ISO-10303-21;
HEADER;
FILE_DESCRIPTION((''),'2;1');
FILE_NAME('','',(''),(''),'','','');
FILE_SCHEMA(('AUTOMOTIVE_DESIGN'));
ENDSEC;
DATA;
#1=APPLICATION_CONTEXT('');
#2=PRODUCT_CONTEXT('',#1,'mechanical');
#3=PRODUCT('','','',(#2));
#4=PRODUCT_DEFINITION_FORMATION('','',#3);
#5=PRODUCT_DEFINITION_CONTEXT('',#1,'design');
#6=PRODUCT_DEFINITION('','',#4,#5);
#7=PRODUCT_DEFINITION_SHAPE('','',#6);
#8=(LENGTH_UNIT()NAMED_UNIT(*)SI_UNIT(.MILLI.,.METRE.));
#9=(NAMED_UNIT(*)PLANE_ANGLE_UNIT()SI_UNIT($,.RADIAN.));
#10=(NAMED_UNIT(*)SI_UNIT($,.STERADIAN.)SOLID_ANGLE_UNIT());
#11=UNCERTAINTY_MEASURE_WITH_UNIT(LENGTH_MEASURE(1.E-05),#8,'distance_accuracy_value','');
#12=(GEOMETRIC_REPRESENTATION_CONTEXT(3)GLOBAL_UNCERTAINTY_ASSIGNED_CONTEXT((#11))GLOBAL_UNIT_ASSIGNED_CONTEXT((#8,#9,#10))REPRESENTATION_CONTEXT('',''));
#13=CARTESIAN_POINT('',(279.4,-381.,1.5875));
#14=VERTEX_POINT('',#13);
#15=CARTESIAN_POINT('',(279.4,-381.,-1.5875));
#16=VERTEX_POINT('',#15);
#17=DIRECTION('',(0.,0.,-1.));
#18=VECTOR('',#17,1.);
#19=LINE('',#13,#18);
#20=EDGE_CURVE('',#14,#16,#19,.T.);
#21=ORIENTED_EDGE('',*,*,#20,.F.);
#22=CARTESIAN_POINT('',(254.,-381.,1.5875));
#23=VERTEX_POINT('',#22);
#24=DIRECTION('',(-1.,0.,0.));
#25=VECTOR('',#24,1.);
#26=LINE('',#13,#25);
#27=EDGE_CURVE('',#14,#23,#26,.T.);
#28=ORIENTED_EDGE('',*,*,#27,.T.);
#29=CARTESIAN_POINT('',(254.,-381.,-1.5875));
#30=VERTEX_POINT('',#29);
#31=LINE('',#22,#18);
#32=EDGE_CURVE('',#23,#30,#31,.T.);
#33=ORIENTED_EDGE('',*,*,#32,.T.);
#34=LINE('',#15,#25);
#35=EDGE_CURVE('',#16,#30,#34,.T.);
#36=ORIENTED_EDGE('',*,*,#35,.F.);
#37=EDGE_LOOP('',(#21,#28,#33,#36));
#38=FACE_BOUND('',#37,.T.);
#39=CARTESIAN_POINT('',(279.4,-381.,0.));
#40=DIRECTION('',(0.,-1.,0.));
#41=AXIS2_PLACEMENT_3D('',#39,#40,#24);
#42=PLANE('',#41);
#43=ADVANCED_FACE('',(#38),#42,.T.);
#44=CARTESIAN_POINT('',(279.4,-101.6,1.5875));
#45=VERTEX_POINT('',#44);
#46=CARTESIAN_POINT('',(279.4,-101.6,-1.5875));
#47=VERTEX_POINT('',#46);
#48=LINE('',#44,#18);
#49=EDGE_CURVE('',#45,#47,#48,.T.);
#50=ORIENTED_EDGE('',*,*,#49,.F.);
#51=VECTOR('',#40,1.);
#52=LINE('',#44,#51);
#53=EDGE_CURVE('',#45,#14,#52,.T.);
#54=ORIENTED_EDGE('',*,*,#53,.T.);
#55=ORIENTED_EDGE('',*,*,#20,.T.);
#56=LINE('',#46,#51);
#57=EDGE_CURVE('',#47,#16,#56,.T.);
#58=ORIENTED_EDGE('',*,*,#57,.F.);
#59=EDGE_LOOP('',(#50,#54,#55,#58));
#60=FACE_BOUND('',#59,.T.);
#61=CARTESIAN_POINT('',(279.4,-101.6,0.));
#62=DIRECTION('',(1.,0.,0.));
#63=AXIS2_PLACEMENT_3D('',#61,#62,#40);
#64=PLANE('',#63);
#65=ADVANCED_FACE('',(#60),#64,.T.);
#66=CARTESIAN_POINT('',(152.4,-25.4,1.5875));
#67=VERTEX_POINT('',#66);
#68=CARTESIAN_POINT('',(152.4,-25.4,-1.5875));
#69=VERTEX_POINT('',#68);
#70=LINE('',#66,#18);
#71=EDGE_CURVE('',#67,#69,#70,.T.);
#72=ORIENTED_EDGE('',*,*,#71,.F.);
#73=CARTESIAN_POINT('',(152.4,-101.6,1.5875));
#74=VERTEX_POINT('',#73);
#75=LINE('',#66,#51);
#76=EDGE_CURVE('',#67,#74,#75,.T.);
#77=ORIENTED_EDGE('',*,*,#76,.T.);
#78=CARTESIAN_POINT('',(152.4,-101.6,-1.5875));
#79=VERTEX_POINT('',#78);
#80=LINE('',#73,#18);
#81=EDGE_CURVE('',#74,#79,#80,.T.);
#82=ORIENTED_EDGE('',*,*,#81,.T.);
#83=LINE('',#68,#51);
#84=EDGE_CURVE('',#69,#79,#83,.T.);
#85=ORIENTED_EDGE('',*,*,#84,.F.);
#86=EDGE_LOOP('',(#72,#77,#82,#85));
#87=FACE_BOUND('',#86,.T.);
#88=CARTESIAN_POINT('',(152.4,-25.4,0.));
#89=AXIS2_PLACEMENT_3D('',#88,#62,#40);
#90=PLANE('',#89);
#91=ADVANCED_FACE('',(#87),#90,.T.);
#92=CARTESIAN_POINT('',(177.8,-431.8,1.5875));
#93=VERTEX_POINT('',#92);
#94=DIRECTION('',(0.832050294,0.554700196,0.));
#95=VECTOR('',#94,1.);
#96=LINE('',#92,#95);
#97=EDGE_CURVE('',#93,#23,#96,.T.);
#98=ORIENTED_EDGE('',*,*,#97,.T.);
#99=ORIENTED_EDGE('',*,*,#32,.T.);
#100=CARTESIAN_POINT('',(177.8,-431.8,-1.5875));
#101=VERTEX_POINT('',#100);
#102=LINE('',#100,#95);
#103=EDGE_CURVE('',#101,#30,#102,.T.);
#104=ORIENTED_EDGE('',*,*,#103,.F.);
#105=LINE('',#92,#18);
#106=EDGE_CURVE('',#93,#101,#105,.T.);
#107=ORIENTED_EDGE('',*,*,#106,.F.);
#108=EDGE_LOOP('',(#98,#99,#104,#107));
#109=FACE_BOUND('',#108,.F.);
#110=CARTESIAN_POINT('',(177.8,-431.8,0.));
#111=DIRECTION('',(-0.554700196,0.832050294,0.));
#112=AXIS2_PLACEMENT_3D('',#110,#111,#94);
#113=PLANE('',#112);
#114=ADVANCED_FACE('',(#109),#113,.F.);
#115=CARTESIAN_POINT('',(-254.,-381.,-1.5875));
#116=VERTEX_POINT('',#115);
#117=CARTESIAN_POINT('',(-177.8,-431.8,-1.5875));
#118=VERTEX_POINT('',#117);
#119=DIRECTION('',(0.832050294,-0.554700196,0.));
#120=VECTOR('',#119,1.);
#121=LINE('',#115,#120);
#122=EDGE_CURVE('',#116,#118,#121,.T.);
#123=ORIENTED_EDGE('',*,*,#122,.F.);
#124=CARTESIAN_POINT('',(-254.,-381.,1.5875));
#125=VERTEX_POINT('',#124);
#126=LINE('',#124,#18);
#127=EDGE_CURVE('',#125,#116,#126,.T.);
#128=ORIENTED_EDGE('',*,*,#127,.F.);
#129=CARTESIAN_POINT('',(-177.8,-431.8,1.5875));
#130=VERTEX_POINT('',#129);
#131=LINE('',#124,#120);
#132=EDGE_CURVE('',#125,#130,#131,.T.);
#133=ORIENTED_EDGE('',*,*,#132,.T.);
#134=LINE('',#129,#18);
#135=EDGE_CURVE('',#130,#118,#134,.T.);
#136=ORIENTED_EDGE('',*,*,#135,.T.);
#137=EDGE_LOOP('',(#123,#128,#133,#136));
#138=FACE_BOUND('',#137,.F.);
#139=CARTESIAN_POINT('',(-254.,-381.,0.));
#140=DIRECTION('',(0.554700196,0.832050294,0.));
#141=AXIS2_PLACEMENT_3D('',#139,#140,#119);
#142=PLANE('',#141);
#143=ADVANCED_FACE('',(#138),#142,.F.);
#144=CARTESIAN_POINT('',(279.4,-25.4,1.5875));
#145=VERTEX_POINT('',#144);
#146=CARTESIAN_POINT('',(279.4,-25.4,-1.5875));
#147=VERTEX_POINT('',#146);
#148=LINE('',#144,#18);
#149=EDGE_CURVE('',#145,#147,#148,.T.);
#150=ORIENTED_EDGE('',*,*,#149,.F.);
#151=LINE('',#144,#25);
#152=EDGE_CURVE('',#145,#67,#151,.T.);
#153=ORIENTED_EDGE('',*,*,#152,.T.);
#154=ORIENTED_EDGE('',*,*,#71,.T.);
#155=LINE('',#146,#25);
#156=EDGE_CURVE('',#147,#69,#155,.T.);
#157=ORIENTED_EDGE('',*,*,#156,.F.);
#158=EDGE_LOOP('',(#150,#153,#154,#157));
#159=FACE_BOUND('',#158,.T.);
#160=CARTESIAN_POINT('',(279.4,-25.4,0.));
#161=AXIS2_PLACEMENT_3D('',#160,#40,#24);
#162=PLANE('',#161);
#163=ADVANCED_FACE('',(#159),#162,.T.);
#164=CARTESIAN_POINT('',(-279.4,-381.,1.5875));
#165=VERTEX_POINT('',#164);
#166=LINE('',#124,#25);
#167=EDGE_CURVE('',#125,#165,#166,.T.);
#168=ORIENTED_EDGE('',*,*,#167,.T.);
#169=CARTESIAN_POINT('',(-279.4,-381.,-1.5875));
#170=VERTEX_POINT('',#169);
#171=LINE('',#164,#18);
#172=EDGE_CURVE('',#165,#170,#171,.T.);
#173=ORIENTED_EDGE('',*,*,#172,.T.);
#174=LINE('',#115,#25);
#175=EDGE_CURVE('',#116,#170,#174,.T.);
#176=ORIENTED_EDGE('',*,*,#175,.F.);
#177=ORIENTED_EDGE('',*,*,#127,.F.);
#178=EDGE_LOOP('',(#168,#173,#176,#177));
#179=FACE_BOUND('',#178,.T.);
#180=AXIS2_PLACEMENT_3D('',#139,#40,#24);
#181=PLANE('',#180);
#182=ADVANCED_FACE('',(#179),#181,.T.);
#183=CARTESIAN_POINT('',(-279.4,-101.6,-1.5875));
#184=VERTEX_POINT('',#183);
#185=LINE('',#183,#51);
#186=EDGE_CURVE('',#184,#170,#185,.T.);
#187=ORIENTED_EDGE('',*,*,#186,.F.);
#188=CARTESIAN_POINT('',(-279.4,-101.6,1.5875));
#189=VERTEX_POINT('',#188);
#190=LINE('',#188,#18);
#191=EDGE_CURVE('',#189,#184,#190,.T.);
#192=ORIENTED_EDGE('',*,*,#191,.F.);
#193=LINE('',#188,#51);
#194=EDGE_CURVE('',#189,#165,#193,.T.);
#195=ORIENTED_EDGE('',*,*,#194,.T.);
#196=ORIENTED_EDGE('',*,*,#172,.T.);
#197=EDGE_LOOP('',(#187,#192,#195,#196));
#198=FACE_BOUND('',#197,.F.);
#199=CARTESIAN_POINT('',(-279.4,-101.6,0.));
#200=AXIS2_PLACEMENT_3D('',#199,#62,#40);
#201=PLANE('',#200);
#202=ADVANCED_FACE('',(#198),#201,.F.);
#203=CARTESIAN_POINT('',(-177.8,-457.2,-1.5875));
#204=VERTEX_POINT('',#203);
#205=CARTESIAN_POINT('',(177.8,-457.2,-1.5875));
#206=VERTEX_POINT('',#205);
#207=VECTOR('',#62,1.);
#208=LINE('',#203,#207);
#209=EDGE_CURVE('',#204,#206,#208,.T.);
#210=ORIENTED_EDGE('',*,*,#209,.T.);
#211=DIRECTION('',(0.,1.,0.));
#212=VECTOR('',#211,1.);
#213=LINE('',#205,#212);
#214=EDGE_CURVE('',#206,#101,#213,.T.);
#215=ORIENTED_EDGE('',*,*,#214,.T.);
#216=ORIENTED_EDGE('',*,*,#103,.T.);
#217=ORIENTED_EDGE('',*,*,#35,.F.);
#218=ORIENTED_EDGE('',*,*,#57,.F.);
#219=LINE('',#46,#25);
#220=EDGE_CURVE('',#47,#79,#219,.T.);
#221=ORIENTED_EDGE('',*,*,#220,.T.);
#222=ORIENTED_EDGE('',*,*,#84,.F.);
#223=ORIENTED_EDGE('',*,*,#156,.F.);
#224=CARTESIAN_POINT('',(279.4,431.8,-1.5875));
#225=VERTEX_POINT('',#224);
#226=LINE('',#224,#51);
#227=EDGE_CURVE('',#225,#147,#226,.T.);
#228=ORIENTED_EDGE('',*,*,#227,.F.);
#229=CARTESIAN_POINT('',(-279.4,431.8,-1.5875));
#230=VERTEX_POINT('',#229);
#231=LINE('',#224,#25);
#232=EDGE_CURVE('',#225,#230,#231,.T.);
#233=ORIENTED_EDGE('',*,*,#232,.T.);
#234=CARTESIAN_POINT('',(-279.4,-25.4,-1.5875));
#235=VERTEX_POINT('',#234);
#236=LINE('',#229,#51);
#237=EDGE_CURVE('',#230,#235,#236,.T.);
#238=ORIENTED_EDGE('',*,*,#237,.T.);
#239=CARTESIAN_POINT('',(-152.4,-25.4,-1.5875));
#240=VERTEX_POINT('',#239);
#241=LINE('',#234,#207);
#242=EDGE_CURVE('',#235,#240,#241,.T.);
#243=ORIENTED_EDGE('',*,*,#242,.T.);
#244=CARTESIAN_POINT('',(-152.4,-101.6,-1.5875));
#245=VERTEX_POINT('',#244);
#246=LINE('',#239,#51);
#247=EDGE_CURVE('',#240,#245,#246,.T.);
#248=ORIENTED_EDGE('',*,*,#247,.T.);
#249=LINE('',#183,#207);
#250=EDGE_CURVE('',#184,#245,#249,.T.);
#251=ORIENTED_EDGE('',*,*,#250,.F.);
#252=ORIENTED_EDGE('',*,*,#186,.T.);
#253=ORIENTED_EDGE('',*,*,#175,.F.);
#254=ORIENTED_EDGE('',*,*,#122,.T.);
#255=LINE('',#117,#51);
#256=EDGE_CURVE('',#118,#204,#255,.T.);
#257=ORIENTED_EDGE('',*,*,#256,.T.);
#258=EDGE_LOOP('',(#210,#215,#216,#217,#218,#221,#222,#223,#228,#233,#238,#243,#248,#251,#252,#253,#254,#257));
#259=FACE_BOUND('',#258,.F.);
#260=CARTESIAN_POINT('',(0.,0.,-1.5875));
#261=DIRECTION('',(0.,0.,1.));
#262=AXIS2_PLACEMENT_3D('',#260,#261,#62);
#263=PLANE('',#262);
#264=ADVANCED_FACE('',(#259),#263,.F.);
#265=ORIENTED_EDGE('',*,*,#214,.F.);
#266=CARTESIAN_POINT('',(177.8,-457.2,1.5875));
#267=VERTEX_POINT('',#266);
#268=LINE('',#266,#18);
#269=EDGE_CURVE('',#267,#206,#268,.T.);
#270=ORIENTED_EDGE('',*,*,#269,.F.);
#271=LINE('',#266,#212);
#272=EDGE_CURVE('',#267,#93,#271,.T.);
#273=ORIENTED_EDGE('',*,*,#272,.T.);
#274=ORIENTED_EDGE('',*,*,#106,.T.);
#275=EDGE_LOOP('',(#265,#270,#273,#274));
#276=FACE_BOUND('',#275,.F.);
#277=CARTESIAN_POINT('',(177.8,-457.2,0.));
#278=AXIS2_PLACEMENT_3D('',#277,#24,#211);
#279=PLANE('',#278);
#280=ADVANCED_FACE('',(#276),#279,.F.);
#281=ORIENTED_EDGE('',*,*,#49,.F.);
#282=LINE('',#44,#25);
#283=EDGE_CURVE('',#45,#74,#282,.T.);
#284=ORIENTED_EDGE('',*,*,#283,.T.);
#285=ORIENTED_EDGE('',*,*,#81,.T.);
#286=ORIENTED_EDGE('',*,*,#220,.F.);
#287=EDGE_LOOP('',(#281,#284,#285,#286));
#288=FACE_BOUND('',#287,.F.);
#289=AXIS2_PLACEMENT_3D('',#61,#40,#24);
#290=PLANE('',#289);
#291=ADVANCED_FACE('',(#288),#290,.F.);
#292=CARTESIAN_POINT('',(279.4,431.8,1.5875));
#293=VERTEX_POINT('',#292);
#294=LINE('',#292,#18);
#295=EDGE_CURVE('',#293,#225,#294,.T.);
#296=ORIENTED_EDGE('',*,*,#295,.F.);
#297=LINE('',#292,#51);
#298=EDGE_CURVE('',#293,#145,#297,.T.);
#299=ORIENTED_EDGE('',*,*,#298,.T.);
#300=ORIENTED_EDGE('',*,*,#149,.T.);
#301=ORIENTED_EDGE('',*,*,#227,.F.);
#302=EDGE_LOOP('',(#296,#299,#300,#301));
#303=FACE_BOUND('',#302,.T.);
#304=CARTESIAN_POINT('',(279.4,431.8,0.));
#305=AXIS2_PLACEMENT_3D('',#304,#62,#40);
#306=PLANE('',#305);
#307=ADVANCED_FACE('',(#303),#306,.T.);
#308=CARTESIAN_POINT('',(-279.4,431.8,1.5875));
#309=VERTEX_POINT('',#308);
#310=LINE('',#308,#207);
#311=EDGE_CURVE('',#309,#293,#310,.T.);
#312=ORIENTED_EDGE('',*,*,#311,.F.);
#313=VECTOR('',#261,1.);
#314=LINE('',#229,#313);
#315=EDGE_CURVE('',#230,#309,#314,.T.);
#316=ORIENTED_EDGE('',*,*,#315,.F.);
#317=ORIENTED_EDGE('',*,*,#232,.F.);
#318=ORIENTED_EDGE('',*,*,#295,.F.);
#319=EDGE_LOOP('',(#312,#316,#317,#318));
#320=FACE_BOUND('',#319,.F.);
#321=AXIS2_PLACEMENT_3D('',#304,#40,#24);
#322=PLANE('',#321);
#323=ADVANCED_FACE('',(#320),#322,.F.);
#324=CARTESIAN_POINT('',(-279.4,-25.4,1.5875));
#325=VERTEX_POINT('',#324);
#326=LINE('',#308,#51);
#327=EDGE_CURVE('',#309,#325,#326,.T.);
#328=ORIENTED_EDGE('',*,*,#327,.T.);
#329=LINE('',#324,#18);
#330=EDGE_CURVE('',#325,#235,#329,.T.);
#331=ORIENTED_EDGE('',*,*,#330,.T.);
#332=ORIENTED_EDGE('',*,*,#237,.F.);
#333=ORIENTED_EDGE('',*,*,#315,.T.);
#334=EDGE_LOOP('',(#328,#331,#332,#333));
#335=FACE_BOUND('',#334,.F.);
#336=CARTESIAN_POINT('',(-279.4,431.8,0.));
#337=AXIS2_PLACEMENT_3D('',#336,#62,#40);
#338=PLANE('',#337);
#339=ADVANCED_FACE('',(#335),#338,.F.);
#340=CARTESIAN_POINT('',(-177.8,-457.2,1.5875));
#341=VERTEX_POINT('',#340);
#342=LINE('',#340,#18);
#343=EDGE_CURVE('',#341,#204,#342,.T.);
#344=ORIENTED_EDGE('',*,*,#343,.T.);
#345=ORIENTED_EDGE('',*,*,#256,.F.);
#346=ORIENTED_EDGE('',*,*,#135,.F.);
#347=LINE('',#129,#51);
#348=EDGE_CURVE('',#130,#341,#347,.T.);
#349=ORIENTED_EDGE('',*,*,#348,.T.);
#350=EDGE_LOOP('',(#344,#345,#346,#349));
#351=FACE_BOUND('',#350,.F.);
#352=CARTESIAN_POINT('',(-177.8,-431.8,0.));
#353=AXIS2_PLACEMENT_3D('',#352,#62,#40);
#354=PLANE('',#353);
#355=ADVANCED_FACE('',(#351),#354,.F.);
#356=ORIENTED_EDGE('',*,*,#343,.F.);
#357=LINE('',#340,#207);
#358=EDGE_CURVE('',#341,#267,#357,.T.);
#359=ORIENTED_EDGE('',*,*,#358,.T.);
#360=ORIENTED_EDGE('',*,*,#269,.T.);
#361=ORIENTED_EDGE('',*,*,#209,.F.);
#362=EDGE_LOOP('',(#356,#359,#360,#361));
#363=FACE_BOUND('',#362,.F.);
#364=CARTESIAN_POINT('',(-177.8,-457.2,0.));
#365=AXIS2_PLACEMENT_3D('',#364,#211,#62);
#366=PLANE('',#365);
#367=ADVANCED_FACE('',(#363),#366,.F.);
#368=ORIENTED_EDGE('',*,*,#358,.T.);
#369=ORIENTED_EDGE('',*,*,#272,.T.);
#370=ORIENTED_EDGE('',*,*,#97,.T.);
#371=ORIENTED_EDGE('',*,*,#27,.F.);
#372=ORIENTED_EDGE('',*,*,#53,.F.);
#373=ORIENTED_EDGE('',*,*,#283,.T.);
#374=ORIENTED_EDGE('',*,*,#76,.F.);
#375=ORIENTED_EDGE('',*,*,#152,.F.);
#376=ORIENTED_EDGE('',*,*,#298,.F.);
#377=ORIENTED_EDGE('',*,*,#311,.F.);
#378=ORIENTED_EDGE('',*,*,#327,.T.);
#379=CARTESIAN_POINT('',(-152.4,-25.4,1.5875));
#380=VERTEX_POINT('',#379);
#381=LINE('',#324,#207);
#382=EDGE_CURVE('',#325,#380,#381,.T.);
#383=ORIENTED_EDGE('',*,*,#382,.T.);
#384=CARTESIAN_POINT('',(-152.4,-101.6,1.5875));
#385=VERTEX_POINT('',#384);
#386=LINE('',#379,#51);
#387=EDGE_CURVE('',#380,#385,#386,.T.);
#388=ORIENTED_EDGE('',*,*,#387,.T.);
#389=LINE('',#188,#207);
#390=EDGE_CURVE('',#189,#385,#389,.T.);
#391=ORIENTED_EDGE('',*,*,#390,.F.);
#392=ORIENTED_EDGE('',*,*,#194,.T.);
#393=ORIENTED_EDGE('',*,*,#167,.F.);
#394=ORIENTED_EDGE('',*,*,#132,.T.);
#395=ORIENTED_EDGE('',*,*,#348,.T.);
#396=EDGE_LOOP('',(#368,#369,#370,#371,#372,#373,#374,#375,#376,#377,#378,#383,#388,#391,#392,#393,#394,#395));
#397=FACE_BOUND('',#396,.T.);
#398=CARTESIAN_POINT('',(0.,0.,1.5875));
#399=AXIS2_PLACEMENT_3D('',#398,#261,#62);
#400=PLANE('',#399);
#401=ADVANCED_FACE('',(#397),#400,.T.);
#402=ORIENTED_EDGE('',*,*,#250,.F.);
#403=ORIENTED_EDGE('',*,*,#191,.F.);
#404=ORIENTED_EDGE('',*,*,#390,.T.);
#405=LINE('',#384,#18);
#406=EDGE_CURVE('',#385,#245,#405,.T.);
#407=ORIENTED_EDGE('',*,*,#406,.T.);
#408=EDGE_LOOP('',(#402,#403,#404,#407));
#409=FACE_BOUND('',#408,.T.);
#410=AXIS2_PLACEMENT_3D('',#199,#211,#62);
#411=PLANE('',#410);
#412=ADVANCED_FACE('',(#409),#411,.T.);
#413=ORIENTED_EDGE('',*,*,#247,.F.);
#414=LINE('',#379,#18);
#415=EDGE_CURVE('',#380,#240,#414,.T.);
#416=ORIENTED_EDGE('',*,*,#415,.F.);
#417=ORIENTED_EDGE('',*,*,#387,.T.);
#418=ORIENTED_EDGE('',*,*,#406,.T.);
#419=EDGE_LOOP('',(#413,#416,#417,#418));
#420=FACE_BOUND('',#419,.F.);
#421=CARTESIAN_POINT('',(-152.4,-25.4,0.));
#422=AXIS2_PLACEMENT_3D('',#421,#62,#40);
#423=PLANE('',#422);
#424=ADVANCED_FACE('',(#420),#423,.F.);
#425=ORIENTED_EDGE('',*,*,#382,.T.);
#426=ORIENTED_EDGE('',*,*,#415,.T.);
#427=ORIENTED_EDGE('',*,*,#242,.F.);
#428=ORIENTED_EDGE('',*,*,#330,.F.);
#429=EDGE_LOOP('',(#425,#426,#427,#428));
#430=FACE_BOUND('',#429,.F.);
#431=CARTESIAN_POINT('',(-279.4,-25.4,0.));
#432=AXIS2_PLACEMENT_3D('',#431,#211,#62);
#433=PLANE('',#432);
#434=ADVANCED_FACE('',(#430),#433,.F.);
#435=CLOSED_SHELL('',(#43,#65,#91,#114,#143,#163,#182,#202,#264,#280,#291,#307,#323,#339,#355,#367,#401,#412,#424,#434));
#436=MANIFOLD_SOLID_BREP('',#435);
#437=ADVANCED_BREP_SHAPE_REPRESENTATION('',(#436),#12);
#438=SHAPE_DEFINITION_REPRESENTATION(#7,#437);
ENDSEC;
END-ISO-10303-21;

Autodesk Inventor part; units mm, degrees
ref_plane "YZ Plane" through (0, 0, 0) normal (1, 0, 0) x (0, 1, 0)
ref_plane "XZ Plane" through (0, 0, 0) normal (0, 1, 0) x (-1, 0, 0)
ref_plane "XY Plane" through (0, 0, 0) normal (0, 0, 1) x (1, 0, 0)
sketch "Sketch1" plane through (0, 0, 0) normal (0, 0, 1) x (1, 0, 0)
  line L0 (-254, -431.8) -> (-177.8, -431.8) construction
  line L1 (254, -431.8) -> (254, -381) construction
  line L2 (254, 431.8) -> (-254, 431.8)
  line L3 (-254, 431.8) -> (-254, -381) construction
  line L4 (-254, -431.8) -> (254, 431.8) construction
  line L5 (254, -431.8) -> (-254, 431.8) construction
  line L6 (-254, -381) -> (-177.8, -431.8)
  line L7 (177.8, -431.8) -> (254, -381)
  line L8 (-254, -381) -> (-254, -431.8) construction
  line L9 (-177.8, -431.8) -> (177.8, -431.8) construction
  line L10 (177.8, -431.8) -> (254, -431.8) construction
  line L11 (254, -381) -> (254, 431.8) construction
  line L12 (-254, 431.8) -> (-279.4, 431.8)
  line L13 (-279.4, 431.8) -> (-279.4, -25.4)
  line L14 (-254, -381) -> (-279.4, -381)
  line L15 (279.4, 431.8) -> (279.4, -25.4)
  line L16 (279.4, 431.8) -> (254, 431.8)
  line L17 (279.4, -381) -> (254, -381)
  line L18 (-177.8, -431.8) -> (-177.8, -457.2)
  line L19 (-177.8, -457.2) -> (177.8, -457.2)
  line L20 (177.8, -457.2) -> (177.8, -431.8)
  line L21 (-279.4, -101.6) -> (-152.4, -101.6)
  line L22 (-279.4, -25.4) -> (-152.4, -25.4)
  line L23 (-152.4, -25.4) -> (-152.4, -101.6)
  line L24 (-279.4, -101.6) -> (-279.4, -381)
  line L25 (-279.4, -25.4) -> (-279.4, -101.6) construction
  line L26 (0, 0) -> (0, 110.3073) construction
  line L27 (279.4, -101.6) -> (152.4, -101.6)
  line L28 (279.4, -25.4) -> (152.4, -25.4)
  line L29 (152.4, -25.4) -> (152.4, -101.6)
  line L30 (279.4, -101.6) -> (279.4, -381)
  line L31 (279.4, -25.4) -> (279.4, -101.6) construction
  dimension "d0" = 508
  dimension "d1" = 863.6
  dimension "d2" = 50.8
  dimension "d3" = 76.2
  dimension "d4" = 76.2
  dimension "d5" = 50.8
  dimension "d8" = 25.4
  dimension "d9" = 812.8
  dimension "d10" = 812.8
  dimension "d11" = 25.4
  dimension "d12" = 25.4
  dimension "d13" = 355.6
  dimension "d14" = 355.6
  dimension "d15" = 76.2
  dimension "d16" = 127
extrude "Extrusion1" add sketch "Sketch1" along normal mid plane 3.175
equation "\"d4\" = d3"
equation "\"d5\" = d2"
properties part number "Belly_pan"
